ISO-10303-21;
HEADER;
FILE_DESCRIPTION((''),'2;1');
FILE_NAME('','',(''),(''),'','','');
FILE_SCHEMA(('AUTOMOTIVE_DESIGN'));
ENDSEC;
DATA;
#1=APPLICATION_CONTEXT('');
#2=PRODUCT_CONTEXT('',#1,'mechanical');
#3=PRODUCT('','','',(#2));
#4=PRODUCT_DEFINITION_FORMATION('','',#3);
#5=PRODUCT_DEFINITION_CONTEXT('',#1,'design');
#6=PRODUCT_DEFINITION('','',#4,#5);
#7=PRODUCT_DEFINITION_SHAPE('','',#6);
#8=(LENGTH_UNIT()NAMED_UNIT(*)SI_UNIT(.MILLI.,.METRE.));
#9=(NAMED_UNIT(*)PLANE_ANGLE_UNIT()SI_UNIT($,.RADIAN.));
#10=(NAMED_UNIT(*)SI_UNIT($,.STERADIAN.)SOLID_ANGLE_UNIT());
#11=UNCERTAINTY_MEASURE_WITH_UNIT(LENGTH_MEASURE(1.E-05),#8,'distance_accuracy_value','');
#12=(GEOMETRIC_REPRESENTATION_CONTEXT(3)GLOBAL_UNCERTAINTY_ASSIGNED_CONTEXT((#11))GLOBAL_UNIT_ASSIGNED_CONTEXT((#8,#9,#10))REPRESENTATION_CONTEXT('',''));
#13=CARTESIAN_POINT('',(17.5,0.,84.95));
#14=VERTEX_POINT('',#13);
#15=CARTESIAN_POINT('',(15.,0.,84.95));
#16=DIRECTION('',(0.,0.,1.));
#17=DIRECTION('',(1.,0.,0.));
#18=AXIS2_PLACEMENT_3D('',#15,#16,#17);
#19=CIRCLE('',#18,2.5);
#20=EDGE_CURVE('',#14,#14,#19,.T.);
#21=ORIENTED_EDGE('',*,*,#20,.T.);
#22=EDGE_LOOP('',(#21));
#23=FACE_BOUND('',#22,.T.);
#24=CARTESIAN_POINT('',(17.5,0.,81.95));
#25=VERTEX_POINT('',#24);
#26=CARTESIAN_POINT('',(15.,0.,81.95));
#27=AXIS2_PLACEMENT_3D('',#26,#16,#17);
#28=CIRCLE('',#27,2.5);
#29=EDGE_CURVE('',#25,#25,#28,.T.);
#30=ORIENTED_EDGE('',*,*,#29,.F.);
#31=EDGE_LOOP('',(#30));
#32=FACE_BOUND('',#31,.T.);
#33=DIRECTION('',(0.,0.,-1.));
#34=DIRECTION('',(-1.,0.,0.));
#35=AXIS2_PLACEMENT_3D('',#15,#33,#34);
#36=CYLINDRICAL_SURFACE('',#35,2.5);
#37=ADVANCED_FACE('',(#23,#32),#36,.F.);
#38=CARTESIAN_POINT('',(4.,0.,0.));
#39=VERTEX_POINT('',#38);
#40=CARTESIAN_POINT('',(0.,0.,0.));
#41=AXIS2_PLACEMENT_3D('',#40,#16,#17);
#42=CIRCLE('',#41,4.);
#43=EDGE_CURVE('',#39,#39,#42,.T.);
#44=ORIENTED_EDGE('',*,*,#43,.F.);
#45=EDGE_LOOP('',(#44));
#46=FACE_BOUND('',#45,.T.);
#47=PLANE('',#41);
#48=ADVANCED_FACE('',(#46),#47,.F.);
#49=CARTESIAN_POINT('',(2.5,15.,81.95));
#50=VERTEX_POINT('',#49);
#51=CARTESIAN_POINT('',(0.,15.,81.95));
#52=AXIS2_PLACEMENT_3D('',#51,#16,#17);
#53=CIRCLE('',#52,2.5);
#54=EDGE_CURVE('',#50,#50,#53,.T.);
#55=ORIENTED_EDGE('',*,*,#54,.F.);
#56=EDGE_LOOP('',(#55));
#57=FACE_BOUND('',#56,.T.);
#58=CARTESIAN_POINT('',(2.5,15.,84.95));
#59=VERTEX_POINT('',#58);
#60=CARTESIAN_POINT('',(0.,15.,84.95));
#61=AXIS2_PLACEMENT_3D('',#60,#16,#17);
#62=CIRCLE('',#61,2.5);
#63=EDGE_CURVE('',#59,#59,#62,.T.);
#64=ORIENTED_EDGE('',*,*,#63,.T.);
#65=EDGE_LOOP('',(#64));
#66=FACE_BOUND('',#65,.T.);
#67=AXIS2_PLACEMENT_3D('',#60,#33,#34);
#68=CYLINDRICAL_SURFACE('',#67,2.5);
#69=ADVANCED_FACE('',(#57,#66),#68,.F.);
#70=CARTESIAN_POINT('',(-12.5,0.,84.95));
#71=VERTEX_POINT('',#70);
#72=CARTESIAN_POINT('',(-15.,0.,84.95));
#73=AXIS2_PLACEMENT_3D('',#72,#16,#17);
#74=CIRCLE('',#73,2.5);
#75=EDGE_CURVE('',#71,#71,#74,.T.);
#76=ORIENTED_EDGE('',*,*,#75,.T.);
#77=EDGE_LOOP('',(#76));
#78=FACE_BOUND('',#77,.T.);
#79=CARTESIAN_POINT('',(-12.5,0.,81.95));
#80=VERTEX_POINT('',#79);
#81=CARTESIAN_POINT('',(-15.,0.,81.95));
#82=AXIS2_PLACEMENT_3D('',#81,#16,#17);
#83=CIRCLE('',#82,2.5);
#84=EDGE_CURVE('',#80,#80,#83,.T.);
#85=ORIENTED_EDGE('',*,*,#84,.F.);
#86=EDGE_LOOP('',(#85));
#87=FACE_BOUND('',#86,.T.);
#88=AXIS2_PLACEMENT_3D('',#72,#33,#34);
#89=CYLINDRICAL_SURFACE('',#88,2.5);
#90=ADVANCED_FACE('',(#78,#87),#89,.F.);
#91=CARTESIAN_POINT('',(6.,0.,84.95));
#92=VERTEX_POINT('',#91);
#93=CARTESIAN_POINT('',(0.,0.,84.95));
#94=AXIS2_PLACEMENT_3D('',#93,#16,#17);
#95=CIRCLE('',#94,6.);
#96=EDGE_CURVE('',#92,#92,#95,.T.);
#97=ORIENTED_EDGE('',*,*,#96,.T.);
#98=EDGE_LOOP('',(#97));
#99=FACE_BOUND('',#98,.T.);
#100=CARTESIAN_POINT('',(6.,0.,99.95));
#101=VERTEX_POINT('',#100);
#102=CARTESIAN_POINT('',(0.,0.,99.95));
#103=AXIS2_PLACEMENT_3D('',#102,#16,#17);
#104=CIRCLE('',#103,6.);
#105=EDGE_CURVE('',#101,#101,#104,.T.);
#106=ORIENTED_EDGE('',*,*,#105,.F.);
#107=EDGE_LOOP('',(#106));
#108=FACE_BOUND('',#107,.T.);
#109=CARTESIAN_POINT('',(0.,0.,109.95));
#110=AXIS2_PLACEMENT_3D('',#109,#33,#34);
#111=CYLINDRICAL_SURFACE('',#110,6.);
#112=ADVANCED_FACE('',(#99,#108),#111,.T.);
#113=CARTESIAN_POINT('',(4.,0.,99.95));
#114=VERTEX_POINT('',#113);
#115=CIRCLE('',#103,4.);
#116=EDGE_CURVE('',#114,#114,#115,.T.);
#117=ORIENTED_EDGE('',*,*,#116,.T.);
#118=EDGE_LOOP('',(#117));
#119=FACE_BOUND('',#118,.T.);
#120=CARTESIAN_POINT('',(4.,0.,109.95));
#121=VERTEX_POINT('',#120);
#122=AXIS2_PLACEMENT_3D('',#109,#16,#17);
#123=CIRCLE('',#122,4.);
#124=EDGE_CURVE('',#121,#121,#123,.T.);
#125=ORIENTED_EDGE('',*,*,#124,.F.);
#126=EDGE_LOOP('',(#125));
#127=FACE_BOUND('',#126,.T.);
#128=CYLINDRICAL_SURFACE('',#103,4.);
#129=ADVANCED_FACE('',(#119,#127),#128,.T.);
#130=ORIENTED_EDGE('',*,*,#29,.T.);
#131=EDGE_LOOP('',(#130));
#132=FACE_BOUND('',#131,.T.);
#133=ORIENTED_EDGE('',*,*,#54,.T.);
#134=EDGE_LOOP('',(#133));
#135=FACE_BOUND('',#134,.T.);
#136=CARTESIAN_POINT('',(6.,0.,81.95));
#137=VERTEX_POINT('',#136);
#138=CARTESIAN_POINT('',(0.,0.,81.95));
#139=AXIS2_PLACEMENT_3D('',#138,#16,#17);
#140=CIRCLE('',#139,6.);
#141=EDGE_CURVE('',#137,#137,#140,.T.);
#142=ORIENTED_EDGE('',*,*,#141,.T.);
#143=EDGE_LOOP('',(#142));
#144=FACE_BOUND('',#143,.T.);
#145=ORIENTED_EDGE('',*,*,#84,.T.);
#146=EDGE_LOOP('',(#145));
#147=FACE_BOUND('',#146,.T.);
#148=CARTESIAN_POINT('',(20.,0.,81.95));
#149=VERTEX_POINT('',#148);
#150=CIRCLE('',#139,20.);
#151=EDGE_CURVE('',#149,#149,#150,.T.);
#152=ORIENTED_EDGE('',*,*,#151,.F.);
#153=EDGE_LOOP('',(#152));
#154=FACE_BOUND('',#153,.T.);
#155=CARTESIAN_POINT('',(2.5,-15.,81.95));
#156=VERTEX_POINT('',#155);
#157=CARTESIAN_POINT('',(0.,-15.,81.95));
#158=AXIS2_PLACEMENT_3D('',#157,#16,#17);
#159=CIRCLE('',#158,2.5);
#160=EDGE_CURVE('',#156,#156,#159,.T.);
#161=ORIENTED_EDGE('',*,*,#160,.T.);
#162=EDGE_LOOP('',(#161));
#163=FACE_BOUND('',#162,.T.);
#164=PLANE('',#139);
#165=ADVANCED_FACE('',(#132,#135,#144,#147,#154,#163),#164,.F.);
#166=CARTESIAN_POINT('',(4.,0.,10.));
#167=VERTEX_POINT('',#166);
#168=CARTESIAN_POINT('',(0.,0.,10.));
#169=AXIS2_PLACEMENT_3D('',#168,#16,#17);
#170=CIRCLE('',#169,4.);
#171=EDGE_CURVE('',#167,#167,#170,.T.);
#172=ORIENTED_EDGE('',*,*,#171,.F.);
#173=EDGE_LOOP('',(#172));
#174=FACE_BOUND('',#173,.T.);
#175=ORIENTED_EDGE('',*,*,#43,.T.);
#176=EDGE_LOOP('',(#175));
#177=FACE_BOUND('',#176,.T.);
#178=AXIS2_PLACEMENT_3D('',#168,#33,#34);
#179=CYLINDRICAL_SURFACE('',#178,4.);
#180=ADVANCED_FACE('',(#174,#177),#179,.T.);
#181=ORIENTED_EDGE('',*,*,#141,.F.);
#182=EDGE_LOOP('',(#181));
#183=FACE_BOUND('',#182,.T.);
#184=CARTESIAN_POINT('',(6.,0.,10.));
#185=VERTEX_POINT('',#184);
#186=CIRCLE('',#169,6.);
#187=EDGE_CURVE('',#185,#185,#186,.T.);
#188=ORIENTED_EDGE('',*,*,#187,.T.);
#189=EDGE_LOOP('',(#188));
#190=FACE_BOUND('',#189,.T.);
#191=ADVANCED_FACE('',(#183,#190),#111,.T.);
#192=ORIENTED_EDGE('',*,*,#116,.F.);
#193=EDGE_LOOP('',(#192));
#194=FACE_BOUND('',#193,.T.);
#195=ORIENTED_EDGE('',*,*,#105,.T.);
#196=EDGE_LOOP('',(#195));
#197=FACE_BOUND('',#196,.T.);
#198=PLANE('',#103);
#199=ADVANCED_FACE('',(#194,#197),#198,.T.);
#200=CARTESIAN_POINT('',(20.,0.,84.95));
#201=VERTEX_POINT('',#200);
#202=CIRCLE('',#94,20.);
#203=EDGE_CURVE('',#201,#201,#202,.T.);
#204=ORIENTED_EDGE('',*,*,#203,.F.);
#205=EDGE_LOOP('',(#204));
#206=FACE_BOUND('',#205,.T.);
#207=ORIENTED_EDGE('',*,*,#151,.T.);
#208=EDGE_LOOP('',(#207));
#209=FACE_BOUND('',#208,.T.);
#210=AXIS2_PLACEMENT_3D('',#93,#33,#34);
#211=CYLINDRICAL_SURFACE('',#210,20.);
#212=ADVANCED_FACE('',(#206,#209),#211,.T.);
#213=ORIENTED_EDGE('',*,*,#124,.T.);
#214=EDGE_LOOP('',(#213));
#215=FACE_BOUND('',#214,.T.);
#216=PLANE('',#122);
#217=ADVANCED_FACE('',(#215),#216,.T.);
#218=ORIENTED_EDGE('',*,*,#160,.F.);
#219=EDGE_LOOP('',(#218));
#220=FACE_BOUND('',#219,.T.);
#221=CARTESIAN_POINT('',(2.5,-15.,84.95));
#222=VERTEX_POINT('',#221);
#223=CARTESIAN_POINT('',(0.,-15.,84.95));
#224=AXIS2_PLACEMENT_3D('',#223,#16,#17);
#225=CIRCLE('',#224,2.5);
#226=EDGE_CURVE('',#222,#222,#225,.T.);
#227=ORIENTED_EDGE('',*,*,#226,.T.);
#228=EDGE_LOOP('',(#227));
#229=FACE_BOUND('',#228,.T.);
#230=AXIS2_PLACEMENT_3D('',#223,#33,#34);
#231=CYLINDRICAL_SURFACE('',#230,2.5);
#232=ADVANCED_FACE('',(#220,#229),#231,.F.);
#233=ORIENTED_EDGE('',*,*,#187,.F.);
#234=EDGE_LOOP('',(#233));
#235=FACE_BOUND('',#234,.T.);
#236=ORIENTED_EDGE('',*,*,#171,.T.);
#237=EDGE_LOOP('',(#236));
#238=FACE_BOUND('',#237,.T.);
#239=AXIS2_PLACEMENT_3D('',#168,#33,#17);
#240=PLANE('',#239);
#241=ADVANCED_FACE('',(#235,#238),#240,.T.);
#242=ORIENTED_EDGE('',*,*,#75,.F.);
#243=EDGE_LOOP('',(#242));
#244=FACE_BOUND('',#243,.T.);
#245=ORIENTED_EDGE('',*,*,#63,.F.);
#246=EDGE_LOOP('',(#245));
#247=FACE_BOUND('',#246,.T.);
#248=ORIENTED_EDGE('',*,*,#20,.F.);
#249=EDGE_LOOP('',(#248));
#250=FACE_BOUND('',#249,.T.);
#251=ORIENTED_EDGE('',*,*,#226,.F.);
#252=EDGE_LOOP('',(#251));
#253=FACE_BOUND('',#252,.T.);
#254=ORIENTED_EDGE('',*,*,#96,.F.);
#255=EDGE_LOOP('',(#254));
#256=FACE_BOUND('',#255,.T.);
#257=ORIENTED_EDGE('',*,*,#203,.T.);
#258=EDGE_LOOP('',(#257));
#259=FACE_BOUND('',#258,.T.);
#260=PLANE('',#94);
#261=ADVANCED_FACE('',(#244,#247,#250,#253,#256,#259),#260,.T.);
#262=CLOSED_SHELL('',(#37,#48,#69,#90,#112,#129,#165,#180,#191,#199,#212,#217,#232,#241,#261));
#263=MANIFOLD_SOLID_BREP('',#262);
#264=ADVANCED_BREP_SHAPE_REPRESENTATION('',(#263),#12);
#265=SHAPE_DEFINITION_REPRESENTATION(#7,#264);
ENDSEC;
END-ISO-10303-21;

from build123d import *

# Parameters (mm, degrees)
SKETCH1_R           = 6
BOSS_EXTRUDE1_DEPTH = 109.95
SKETCH2_R           = 20
SKETCH2_R_2         = 2.5
BOSS_EXTRUDE2_DEPTH = 3
SKETCH3_R           = 6
SKETCH3_R_2         = 4
CUT_EXTRUDE1_DEPTH  = 10


with BuildPart() as part:
    # Sketch1 → Boss-Extrude1 (new body)
    with BuildSketch(Plane.XY):
        Circle(SKETCH1_R)
    extrude(amount=BOSS_EXTRUDE1_DEPTH)

    # Sketch2 → Boss-Extrude2 (add)
    with BuildSketch(Plane.XY.offset(81.95)):
        Circle(SKETCH2_R)
        with Locations((0, 15)):
            Circle(SKETCH2_R_2, mode=Mode.SUBTRACT)
        with Locations((15, 0)):
            Circle(SKETCH2_R_2, mode=Mode.SUBTRACT)
        with Locations((0, -15)):
            Circle(SKETCH2_R_2, mode=Mode.SUBTRACT)
        with Locations((-15, 0)):
            Circle(SKETCH2_R_2, mode=Mode.SUBTRACT)
    extrude(amount=BOSS_EXTRUDE2_DEPTH)

    # Sketch3 → Cut-Extrude1 (cut)
    with BuildSketch(Plane.XY.offset(109.95)):
        Circle(SKETCH3_R)
        Circle(SKETCH3_R_2, mode=Mode.SUBTRACT)
    cut_extrude1 = extrude(amount=-CUT_EXTRUDE1_DEPTH, mode=Mode.SUBTRACT)

    # Mirror1: Cut-Extrude1 across plane
    add(cut_extrude1.mirror(Plane.XY.offset(54.975)), mode=Mode.SUBTRACT)


solid = part.part
